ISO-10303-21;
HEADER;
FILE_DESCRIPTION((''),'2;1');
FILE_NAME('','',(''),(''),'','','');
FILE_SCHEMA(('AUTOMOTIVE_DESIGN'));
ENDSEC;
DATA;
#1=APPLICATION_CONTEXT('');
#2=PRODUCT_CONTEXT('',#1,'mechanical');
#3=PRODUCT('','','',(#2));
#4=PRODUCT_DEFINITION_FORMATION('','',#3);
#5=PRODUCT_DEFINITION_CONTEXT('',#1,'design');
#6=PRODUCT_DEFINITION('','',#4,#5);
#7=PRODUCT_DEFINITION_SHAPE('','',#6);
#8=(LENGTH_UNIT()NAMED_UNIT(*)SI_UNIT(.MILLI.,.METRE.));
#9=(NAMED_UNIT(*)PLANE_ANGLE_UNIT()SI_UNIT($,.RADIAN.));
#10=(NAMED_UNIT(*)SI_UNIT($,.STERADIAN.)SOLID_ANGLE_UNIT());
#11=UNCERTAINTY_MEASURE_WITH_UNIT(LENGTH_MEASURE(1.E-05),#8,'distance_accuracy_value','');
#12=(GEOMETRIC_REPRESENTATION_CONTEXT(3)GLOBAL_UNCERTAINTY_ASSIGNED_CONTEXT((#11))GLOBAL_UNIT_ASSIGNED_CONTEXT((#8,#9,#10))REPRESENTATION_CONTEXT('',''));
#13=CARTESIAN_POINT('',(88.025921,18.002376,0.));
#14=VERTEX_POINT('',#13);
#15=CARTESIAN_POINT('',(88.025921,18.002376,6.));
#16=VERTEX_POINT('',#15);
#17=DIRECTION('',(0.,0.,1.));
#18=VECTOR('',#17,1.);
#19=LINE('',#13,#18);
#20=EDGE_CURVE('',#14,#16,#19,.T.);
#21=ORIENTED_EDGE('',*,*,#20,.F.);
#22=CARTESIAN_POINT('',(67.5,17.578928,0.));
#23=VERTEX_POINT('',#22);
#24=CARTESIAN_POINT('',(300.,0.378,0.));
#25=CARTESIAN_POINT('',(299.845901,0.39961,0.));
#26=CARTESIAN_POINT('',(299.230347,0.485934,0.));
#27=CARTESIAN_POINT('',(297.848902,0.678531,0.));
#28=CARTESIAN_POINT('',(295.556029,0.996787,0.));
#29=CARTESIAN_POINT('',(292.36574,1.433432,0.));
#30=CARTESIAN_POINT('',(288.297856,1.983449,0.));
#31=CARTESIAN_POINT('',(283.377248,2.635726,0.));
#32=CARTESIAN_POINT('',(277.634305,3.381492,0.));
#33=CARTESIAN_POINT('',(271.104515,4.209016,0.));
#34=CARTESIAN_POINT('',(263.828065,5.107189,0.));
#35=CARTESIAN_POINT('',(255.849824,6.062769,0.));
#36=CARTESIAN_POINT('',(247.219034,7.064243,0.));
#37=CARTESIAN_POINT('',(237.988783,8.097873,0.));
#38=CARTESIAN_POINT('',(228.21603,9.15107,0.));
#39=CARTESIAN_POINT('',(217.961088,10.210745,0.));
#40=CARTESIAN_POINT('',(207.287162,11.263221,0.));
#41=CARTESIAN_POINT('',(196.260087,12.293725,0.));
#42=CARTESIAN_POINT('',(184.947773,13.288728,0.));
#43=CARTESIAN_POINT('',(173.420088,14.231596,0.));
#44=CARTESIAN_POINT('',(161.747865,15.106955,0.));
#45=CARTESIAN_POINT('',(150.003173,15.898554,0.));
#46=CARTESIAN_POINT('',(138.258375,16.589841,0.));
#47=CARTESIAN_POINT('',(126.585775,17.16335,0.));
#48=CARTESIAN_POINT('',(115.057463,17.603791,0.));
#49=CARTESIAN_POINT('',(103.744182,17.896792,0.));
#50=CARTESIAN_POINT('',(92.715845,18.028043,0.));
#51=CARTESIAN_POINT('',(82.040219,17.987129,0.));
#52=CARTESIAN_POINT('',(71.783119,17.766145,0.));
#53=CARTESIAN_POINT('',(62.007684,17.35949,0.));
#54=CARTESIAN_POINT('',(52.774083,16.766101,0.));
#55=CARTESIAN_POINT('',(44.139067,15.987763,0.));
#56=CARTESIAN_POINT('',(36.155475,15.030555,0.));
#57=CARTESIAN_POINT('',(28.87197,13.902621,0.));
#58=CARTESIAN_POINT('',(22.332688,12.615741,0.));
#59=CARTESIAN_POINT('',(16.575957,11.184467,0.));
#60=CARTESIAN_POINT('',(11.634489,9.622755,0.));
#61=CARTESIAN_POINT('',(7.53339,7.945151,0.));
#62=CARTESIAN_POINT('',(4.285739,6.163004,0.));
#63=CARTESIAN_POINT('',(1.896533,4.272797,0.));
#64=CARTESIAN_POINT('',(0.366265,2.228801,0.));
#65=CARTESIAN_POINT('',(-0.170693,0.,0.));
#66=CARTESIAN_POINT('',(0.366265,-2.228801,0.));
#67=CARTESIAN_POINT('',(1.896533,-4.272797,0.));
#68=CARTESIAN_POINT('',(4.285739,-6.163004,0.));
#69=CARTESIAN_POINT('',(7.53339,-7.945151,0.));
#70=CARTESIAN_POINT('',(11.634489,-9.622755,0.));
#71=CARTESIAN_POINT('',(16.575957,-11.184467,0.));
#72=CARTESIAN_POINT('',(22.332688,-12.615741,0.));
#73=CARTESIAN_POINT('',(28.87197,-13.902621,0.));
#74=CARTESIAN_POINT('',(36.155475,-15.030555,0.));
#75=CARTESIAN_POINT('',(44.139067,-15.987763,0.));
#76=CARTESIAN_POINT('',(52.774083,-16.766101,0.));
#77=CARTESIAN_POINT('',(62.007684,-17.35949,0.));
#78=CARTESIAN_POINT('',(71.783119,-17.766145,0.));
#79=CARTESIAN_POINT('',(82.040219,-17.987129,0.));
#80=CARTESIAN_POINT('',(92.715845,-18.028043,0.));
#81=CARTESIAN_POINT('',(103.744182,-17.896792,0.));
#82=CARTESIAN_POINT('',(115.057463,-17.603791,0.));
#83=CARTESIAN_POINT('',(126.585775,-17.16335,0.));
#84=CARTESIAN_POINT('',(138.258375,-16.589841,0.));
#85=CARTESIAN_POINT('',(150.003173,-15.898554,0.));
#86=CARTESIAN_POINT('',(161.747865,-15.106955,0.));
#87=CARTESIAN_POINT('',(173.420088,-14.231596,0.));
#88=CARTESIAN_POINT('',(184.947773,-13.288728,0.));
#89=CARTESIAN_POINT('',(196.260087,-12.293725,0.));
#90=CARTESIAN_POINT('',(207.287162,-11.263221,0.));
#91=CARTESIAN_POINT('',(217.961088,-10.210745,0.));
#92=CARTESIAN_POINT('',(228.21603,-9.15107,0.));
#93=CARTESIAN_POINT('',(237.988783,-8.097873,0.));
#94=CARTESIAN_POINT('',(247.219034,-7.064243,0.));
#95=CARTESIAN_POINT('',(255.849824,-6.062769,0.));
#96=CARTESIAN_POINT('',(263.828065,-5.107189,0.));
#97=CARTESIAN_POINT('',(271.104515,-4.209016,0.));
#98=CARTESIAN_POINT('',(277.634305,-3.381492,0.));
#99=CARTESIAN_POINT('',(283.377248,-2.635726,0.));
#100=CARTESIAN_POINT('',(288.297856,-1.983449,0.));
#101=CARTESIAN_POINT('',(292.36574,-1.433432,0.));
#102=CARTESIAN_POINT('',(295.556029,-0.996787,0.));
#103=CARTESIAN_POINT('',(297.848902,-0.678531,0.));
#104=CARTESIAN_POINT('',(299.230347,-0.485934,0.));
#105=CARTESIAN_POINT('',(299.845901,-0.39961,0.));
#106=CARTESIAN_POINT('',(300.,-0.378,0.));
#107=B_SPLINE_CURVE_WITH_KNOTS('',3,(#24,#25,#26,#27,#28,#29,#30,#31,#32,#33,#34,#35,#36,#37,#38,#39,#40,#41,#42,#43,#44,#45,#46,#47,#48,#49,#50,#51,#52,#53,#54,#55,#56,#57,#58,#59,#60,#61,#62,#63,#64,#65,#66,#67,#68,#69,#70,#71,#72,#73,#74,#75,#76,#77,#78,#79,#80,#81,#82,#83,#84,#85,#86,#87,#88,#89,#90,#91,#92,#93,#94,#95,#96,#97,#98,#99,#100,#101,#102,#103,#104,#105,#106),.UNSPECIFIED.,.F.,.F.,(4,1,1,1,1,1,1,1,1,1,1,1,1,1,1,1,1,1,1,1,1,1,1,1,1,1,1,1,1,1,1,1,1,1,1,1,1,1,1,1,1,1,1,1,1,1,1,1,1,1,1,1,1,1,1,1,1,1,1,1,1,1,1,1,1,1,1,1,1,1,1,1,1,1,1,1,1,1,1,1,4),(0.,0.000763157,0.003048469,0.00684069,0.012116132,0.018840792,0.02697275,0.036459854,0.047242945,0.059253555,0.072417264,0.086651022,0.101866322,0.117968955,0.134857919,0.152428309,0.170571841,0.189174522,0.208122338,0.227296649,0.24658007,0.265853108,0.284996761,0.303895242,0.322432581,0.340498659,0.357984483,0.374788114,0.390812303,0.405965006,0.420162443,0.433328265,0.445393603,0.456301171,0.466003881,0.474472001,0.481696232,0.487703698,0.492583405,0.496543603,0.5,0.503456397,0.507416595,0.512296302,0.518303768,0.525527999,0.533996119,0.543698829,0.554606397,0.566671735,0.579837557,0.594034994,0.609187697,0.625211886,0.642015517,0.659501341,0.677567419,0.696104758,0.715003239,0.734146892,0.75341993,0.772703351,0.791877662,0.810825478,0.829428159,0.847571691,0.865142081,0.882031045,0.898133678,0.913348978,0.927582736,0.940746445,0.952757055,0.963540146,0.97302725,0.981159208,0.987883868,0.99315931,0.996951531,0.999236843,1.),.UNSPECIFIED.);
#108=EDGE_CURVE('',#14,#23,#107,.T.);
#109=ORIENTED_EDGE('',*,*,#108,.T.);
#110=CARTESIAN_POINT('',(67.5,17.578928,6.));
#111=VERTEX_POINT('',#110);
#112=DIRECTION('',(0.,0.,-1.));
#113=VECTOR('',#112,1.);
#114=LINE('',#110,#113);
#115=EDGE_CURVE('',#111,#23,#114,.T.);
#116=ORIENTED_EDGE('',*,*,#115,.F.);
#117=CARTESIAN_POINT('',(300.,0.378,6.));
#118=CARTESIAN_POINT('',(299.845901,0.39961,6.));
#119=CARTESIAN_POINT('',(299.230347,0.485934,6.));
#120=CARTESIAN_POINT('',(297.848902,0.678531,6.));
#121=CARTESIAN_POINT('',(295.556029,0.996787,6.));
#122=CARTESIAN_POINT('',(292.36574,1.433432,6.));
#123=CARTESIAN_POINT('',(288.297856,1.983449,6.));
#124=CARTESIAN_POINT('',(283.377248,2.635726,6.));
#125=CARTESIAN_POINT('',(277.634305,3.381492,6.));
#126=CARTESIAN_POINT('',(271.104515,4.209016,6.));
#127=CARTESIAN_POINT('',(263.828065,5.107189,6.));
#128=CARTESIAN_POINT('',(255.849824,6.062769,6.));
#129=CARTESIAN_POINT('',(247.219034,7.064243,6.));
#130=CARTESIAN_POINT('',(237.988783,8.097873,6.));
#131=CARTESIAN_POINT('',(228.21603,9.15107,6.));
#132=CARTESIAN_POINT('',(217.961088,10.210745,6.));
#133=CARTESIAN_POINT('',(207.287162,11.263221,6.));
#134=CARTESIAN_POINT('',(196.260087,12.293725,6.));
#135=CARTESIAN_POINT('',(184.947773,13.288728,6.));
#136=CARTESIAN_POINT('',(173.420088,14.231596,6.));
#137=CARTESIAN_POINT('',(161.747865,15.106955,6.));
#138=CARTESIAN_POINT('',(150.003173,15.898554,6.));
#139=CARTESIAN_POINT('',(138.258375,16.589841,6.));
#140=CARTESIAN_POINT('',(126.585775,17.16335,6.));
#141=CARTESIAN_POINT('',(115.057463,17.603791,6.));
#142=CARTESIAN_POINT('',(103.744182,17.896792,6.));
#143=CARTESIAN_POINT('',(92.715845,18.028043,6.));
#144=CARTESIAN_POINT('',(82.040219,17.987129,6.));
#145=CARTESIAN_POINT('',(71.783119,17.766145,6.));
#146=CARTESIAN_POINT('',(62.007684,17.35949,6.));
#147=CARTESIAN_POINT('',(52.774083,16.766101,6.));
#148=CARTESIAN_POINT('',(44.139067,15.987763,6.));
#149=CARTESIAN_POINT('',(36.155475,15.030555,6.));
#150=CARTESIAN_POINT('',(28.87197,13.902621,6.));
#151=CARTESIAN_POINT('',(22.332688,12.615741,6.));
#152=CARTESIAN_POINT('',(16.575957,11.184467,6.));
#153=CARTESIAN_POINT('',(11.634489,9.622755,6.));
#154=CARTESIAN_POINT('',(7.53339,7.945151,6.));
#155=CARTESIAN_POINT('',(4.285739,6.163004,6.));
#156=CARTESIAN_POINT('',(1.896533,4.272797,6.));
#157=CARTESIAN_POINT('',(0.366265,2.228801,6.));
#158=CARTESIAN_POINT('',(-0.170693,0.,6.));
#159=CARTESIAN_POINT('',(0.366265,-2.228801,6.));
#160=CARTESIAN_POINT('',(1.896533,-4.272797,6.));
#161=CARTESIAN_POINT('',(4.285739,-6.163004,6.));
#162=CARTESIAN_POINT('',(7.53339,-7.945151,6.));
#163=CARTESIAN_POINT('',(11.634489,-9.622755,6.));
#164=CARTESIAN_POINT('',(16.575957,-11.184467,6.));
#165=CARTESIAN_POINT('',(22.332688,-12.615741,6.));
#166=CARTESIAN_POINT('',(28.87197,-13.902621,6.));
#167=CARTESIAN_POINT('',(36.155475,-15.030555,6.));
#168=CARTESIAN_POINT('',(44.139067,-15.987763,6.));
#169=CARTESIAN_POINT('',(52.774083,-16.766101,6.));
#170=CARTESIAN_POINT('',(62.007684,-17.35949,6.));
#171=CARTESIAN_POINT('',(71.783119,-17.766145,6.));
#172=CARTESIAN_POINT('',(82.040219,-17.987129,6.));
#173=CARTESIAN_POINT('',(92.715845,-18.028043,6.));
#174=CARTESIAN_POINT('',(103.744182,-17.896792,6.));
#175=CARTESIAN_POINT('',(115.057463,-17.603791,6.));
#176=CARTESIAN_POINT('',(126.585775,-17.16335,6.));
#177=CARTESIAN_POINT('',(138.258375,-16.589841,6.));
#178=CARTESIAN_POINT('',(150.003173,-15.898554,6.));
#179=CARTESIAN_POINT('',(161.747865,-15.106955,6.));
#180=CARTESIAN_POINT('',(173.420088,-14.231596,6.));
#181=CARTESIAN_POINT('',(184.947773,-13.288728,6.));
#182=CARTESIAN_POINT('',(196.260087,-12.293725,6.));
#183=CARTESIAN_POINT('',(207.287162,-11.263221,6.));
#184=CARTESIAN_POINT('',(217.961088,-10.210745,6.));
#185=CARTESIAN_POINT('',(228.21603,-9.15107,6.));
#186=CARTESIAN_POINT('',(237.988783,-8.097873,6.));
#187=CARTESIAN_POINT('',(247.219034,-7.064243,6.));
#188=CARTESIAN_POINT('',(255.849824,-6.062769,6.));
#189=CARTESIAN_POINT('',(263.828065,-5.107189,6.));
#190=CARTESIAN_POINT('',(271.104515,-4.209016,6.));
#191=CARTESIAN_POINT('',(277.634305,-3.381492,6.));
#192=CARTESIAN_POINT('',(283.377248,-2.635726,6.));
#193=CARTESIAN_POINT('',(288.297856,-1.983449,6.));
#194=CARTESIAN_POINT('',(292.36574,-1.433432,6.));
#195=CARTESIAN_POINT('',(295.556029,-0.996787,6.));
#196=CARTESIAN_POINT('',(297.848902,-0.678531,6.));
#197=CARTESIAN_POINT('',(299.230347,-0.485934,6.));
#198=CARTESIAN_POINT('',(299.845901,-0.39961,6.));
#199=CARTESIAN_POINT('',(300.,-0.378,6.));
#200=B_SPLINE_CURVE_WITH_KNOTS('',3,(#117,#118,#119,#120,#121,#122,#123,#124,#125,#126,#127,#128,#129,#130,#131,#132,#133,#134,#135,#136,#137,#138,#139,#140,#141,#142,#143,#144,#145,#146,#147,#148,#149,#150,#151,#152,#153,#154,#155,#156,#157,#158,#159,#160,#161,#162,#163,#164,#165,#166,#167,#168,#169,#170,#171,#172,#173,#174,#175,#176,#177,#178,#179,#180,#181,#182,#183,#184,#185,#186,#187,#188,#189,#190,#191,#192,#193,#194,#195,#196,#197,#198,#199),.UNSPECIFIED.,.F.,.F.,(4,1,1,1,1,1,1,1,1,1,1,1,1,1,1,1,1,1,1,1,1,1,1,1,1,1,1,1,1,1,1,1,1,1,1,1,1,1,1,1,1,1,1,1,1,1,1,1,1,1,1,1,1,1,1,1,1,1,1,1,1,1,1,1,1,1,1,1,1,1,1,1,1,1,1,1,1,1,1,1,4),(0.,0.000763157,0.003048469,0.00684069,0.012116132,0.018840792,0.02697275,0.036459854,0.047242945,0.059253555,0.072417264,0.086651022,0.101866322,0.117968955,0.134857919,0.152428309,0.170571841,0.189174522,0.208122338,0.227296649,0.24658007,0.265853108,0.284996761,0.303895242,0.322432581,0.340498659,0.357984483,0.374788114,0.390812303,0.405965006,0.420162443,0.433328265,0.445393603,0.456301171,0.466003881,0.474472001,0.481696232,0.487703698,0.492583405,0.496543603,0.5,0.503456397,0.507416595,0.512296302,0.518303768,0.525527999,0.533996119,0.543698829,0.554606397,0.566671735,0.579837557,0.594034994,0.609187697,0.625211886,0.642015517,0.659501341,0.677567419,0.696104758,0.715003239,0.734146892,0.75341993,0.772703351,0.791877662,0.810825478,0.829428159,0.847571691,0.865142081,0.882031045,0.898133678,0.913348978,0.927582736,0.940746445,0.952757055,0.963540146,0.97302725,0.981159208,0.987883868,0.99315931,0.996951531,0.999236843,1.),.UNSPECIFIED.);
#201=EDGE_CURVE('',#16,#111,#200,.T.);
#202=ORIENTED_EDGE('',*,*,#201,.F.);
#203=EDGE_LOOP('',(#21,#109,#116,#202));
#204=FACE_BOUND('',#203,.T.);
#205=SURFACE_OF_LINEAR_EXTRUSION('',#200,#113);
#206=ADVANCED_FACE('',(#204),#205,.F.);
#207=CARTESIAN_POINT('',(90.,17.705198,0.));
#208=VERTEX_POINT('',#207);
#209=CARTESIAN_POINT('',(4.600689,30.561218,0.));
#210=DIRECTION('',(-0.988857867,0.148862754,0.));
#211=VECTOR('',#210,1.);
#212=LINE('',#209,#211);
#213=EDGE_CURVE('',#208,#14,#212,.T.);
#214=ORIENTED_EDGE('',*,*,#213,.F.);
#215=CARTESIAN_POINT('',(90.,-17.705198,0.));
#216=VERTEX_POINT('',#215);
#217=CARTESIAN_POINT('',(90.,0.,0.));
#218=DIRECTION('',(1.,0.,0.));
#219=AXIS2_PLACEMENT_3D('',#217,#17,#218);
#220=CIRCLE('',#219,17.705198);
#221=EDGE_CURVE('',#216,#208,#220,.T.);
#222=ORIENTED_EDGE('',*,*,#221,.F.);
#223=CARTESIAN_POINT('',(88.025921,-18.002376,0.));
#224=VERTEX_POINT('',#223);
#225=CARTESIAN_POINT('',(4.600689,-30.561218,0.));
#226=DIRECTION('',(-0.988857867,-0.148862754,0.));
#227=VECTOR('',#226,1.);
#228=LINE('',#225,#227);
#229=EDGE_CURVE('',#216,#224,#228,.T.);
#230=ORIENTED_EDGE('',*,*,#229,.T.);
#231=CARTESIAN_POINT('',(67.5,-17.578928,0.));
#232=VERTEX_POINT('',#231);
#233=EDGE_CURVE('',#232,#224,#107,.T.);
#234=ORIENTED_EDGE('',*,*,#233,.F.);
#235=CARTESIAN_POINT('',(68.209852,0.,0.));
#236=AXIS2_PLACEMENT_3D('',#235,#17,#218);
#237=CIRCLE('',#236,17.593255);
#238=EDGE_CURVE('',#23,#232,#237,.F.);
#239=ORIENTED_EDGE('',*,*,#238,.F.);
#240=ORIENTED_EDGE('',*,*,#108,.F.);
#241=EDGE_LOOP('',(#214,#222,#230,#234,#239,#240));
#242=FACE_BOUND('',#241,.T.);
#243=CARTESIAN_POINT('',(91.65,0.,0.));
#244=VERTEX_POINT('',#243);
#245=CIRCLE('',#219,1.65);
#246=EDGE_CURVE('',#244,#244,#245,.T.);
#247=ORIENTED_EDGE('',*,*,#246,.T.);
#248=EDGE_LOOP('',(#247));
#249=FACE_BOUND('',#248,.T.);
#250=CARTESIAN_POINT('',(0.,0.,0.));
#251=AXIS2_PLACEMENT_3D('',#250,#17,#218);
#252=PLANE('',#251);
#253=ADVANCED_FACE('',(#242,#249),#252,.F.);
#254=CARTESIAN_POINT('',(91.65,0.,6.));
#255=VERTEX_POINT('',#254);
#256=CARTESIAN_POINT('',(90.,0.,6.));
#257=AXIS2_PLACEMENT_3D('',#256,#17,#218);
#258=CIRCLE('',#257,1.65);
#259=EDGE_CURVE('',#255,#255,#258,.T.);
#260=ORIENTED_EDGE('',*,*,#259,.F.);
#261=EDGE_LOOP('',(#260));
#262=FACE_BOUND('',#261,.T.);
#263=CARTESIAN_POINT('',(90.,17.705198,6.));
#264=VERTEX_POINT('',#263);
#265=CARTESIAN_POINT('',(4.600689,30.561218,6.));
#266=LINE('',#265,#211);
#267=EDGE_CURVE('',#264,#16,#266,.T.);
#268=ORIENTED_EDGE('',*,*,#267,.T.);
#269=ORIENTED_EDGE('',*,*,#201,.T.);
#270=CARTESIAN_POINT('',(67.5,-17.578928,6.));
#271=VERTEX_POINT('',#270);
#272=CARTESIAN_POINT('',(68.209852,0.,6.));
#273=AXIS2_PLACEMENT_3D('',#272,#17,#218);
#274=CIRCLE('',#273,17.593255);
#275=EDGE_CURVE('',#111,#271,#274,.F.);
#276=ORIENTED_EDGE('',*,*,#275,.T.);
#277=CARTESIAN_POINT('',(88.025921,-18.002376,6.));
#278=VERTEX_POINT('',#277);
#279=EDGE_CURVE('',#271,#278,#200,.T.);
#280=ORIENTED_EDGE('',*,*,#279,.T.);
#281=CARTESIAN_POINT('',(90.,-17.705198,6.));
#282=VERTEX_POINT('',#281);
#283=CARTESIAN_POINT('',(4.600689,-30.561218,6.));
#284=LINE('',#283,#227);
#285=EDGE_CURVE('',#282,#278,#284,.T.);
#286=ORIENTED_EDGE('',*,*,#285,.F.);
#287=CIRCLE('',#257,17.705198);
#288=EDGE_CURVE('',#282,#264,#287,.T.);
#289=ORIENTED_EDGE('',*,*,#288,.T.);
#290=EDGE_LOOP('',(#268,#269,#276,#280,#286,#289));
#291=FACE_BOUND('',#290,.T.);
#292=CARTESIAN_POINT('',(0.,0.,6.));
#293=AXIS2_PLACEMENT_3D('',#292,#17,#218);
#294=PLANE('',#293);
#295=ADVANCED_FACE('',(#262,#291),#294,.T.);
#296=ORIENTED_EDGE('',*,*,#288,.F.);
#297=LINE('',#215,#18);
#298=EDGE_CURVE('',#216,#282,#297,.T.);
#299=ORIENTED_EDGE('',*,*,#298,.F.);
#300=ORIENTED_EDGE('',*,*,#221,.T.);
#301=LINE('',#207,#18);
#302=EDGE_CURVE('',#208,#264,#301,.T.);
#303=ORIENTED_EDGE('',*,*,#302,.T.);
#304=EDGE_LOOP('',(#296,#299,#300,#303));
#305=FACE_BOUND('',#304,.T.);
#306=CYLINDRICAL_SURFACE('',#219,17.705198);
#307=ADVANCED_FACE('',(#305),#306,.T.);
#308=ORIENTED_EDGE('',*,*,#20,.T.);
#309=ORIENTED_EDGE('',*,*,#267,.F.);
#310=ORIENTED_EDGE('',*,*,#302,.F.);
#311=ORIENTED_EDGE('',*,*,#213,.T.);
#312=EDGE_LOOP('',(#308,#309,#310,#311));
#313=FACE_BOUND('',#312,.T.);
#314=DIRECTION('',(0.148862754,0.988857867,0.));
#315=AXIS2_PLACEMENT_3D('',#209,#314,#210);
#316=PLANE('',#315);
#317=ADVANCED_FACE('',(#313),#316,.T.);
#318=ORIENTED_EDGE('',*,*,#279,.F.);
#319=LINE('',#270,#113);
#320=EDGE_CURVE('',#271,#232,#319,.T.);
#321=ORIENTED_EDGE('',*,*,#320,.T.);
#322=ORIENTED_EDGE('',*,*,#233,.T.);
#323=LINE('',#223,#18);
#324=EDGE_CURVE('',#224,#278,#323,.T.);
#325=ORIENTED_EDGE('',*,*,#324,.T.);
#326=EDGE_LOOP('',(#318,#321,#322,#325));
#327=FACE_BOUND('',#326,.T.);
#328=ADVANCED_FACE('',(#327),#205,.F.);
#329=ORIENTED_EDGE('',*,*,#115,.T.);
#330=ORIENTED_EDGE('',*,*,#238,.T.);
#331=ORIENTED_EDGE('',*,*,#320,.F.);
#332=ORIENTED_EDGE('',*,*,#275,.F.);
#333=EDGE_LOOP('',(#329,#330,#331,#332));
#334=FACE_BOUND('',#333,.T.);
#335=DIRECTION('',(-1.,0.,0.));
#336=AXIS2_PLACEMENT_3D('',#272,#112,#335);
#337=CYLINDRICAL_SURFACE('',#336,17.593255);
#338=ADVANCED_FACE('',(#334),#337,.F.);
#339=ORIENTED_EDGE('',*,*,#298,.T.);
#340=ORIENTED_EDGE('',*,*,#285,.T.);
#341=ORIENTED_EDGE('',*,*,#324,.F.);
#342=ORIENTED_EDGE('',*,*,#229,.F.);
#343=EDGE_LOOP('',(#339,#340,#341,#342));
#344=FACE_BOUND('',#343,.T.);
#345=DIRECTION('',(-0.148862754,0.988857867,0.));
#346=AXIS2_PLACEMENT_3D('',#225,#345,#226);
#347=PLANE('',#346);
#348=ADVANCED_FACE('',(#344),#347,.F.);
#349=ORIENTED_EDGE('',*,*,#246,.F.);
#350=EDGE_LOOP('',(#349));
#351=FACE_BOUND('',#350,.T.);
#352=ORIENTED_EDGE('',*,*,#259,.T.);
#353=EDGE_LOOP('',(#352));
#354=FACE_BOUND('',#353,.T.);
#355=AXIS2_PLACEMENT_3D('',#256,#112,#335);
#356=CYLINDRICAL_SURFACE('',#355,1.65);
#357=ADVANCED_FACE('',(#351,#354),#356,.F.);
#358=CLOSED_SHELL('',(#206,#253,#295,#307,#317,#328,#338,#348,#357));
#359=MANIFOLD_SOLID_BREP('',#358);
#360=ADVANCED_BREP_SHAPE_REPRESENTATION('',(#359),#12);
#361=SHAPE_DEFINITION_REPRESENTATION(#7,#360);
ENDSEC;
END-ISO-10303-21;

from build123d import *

# Parameters (mm, degrees)
SKETCH2_R           = 1.65
BOSS_EXTRUDE1_DEPTH = 6
CUT_EXTRUDE1_DEPTH  = 110.659974352


with BuildPart() as part:
    # Sketch2 → Boss-Extrude1 (new body)
    with BuildSketch(Plane.XY):
        with BuildLine():
            ThreePointArc((90, -18.005197753), (108.005197753, 0), (90, 18.005197753))
            add(Edge.make_bspline(
                [(90, 18.005197753), (87.300427685, 18.005389985), (81.17457593, 17.968478919), (73.674128402, 17.806885767), (68.874876564, 17.634447138), (67.5, 17.578928476)],
                knots=[0.344744853, 0.344744853, 0.344744853, 0.344744853, 0.357984483, 0.374788114, 0.381536428, 0.381536428, 0.381536428, 0.381536428], degree=3))
            ThreePointArc((67.5, 17.578928476), (85.803106629, 0), (67.5, -17.578928476))
            add(Edge.make_bspline(
                [(67.5, -17.578928476), (68.874876564, -17.634447138), (73.674128402, -17.806885767), (81.17457593, -17.968478919), (87.300427685, -18.005389985), (90, -18.005197753)],
                knots=[0.618463572, 0.618463572, 0.618463572, 0.618463572, 0.625211886, 0.642015517, 0.655255147, 0.655255147, 0.655255147, 0.655255147], degree=3))
        make_face()
        with Locations((90, 0)):
            Circle(SKETCH2_R, mode=Mode.SUBTRACT)
    extrude(amount=BOSS_EXTRUDE1_DEPTH)

    # Sketch3 → Cut-Extrude1 (cut, through all)
    with BuildSketch(Plane.XY.offset(6)):
        with BuildLine():
            Line((88.025921382, 18.002375731), (90, 17.705197753))
            ThreePointArc((90, 17.705197753), (107.705197753, 0), (90, -17.705197753))
            Line((90, -17.705197753), (88.025921382, -18.002375731))
            add(Edge.make_bspline(
                [(88.025921382, -18.002375731), (88.683945552, -18.004313587), (89.341972833, -18.00524461), (90, -18.005197753)],
                knots=[0.652027956, 0.652027956, 0.652027956, 0.652027956, 0.655255147, 0.655255147, 0.655255147, 0.655255147], degree=3))
            ThreePointArc((90, -18.005197753), (108.005197753, 0), (90, 18.005197753))
            add(Edge.make_bspline(
                [(90, 18.005197753), (89.341972833, 18.00524461), (88.683945552, 18.004313587), (88.025921382, 18.002375731)],
                knots=[0.344744853, 0.344744853, 0.344744853, 0.344744853, 0.347972044, 0.347972044, 0.347972044, 0.347972044], degree=3))
        make_face()
    extrude(amount=-CUT_EXTRUDE1_DEPTH, mode=Mode.SUBTRACT)


solid = part.part
